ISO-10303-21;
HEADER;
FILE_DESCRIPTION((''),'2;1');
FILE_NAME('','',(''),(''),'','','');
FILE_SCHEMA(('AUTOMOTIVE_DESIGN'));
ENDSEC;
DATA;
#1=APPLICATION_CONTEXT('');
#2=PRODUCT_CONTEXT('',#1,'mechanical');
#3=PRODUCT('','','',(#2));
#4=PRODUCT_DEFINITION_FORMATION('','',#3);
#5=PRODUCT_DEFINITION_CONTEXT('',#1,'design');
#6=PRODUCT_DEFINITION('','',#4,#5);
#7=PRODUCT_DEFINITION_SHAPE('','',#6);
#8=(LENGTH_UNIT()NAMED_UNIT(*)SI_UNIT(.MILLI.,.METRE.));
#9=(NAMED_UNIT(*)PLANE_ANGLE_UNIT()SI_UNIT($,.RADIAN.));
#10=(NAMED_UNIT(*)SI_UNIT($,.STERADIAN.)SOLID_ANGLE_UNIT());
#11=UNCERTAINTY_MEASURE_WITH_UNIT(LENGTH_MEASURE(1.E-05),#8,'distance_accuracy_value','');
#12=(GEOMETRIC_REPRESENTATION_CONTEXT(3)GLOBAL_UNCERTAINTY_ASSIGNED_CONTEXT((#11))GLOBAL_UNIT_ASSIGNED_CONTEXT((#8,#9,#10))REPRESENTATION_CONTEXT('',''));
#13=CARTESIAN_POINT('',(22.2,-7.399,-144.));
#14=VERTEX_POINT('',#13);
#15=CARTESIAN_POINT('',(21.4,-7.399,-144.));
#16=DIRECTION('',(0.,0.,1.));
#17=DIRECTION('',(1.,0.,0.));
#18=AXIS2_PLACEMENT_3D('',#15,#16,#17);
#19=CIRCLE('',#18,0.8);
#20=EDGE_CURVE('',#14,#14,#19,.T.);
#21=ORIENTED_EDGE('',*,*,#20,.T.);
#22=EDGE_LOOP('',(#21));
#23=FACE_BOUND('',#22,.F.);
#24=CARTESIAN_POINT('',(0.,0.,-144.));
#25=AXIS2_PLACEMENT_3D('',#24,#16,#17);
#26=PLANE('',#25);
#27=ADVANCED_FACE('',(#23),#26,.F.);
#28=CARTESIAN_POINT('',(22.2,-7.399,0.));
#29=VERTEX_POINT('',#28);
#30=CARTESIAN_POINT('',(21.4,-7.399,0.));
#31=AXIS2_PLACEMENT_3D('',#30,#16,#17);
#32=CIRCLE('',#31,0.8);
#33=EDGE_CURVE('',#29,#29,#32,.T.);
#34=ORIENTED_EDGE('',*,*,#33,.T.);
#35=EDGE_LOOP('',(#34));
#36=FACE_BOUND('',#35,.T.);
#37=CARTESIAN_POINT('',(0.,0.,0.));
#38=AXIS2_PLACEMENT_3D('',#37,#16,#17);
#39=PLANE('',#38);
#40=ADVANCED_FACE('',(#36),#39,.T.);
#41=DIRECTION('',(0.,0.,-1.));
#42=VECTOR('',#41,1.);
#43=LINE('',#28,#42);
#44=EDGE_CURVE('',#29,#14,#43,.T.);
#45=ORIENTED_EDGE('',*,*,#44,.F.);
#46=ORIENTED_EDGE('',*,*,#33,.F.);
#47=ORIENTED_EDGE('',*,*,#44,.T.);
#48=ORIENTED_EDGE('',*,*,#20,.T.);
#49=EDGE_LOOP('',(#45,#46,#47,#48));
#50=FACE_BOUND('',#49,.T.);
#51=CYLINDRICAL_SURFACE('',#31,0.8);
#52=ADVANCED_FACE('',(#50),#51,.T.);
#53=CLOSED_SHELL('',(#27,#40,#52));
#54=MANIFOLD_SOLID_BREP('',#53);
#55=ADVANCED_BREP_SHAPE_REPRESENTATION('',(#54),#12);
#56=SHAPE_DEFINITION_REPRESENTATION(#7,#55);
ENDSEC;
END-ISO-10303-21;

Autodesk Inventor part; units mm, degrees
ref_plane "YZ Plane" through (0, 0, 0) normal (1, 0, 0) x (0, 1, 0)
ref_plane "XZ Plane" through (0, 0, 0) normal (0, 1, 0) x (-1, 0, 0)
ref_plane "XY Plane" through (0, 0, 0) normal (0, 0, 1) x (1, 0, 0)
sketch "Esboço1" plane through (0, 0, 0) normal (0, 0, 1) x (1, 0, 0)
  circle A0 centre (21.4, -7.399) radius 0.8 projected
  point P0 (0, 0)
  dimension "d0" = 144
extrude "Extrusão1" add sketch "Esboço1" against normal blind 144
properties part number "eixo"
